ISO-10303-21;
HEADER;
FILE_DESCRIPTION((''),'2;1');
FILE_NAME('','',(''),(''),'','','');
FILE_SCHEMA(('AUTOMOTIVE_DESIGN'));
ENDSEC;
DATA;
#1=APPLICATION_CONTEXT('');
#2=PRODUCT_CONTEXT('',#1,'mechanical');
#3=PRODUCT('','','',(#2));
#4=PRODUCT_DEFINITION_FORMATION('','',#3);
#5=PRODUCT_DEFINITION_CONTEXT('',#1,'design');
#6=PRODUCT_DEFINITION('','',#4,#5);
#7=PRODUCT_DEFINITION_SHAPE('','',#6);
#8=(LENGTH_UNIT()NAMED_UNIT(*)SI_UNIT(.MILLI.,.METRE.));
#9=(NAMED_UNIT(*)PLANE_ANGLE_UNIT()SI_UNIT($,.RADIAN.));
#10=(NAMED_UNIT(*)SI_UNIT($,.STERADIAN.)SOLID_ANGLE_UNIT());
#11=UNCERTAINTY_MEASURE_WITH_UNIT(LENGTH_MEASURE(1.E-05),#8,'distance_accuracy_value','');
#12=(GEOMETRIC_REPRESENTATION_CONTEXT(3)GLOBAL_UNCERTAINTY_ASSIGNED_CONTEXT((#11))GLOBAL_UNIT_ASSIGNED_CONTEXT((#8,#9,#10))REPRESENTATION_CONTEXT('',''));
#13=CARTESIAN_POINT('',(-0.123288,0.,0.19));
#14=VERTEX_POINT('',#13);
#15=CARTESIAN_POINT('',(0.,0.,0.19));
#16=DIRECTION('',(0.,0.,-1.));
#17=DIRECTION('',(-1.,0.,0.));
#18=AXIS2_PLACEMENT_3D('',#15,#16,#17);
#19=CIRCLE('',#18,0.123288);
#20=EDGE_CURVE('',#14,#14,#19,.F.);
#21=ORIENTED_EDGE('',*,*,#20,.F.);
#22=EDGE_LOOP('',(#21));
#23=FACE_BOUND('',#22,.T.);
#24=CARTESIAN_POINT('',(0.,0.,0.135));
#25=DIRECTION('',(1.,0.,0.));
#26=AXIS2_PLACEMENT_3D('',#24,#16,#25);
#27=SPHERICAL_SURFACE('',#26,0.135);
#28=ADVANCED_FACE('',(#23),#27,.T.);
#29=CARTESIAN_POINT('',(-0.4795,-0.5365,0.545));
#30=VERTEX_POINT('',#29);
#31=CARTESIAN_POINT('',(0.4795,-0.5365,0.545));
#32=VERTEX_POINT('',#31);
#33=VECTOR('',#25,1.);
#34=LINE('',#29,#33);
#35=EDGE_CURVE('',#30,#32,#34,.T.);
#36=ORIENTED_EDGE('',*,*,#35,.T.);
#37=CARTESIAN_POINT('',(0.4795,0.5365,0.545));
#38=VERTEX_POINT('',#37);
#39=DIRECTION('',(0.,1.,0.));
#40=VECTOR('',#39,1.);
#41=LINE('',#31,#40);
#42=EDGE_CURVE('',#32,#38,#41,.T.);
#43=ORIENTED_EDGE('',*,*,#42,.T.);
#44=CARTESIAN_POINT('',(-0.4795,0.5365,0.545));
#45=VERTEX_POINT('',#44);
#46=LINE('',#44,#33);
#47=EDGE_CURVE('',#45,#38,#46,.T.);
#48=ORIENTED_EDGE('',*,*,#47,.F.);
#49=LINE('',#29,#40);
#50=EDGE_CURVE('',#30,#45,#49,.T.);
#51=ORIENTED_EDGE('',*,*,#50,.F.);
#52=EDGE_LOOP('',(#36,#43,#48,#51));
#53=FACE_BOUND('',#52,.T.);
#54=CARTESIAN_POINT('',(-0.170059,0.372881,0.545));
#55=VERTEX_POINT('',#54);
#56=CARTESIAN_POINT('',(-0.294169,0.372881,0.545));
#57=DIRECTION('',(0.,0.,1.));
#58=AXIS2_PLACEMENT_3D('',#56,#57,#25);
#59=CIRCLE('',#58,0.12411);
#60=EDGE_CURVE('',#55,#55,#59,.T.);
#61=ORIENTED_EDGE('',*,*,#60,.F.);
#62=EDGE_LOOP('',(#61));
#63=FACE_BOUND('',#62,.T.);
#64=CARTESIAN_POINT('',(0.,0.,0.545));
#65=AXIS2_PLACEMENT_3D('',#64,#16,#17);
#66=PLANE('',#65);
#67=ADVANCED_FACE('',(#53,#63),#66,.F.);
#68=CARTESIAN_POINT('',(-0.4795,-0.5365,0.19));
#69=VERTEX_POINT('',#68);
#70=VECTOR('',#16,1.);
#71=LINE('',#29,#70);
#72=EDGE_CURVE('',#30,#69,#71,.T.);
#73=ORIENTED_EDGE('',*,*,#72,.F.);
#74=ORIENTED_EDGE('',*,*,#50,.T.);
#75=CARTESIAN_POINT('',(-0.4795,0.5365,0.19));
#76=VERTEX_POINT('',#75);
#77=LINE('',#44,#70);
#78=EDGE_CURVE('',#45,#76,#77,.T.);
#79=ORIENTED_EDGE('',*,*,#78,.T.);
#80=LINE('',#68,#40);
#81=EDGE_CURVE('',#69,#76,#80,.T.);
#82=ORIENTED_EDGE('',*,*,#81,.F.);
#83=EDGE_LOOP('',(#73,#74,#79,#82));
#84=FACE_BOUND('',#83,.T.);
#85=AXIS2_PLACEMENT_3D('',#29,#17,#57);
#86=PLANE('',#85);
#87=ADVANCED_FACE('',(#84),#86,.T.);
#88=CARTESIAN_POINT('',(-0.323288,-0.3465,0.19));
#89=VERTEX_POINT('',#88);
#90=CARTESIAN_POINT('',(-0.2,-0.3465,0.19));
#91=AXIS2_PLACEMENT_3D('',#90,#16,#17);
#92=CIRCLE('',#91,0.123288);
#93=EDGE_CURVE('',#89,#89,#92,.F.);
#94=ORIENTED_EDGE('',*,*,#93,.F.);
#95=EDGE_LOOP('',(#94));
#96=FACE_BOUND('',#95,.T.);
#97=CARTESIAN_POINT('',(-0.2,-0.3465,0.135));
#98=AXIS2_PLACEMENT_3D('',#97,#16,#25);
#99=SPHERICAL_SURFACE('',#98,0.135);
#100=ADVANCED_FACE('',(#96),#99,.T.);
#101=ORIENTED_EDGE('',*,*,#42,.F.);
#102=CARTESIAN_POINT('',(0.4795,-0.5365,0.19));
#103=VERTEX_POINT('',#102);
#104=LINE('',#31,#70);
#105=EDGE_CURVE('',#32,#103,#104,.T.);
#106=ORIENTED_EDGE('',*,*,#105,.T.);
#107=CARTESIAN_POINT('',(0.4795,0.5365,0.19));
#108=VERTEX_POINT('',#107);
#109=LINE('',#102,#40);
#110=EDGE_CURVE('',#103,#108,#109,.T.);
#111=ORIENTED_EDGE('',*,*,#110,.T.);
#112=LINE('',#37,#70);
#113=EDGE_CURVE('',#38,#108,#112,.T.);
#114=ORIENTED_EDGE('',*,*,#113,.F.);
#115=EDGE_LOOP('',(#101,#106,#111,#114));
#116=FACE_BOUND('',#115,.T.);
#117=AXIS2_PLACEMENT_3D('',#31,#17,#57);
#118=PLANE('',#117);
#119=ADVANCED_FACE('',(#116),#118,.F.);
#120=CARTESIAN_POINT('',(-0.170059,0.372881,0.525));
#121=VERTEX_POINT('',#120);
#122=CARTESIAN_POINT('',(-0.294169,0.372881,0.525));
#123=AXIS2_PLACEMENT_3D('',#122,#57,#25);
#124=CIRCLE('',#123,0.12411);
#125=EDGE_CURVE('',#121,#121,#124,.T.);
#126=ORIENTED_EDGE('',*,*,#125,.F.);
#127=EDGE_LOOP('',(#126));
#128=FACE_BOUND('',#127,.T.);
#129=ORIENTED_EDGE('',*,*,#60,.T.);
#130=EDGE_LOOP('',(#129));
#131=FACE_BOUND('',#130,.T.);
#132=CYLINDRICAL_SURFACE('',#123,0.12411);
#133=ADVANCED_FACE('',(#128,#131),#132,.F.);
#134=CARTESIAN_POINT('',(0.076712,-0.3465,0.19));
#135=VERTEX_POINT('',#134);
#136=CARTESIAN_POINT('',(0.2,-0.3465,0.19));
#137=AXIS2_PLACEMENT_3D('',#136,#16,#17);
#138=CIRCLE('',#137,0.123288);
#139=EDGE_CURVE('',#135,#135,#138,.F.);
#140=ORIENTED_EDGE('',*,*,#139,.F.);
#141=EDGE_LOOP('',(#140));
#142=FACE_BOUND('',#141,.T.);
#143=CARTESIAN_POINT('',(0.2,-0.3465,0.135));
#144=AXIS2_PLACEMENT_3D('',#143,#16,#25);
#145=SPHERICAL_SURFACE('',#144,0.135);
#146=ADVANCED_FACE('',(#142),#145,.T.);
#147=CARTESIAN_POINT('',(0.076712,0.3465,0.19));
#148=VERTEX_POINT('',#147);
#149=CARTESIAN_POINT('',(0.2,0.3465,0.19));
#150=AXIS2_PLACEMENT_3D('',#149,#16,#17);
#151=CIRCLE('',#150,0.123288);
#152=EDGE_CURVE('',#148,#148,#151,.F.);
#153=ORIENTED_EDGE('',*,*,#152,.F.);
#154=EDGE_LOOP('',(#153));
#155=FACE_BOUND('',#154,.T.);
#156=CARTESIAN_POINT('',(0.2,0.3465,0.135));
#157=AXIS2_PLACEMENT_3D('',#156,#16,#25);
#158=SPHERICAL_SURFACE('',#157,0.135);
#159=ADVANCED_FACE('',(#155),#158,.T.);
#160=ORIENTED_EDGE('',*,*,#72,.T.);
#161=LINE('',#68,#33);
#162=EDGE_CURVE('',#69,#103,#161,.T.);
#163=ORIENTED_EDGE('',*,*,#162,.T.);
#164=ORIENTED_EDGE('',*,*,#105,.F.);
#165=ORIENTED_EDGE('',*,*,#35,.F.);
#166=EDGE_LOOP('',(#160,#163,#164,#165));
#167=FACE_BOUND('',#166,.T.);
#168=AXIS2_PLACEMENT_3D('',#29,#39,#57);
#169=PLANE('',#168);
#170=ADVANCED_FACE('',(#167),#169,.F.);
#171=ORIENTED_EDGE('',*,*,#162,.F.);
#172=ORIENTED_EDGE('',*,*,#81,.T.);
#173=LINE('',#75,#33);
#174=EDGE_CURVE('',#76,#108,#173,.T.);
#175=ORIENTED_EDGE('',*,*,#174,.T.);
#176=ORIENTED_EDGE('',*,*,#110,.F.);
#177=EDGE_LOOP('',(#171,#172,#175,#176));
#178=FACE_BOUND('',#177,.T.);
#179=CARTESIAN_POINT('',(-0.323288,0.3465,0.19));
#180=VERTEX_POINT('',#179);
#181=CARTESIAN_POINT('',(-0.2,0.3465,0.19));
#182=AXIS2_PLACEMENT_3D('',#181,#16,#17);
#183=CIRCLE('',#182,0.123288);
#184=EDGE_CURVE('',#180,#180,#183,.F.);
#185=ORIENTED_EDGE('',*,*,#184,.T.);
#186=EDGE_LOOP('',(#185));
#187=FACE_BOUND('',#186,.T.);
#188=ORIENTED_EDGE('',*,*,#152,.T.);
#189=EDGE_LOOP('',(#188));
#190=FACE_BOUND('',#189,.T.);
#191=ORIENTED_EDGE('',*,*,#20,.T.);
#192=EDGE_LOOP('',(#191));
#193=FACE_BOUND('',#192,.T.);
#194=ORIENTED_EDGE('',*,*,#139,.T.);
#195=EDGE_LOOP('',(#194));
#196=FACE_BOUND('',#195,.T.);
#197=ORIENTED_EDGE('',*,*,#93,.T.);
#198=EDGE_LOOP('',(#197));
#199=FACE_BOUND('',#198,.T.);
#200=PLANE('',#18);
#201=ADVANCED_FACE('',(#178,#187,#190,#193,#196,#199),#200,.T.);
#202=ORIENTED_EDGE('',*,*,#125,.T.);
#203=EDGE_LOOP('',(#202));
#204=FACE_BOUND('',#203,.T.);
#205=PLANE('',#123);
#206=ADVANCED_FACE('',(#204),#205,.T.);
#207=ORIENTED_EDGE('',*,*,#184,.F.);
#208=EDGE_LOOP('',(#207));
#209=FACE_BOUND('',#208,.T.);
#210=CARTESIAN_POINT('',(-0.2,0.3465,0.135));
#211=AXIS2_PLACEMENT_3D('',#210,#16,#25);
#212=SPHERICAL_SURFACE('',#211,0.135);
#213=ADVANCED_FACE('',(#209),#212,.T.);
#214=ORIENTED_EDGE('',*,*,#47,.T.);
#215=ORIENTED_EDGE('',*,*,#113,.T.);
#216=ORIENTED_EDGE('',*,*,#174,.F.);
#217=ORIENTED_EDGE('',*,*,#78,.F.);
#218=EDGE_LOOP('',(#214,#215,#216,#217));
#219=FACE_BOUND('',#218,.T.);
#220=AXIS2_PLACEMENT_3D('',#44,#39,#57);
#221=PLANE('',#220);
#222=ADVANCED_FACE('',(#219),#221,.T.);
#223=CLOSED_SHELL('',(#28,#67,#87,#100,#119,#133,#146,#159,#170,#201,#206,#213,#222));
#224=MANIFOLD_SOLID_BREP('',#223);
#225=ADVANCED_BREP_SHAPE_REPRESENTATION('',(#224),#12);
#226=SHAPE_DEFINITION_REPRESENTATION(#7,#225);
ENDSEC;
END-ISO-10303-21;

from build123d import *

# Parameters (mm, degrees)
BOSS_EXTRUDE1_START  = 0.19
SKETCH1_W            = 0.959
SKETCH1_H            = 1.073
BOSS_EXTRUDE1_DEPTH  = 0.355
LPATTERN1_COUNT      = 2
LPATTERN1_PITCH      = 0.3465
LPATTERN1_COUNT_DIR2 = 2
LPATTERN1_PITCH_DIR2 = 0.2
SKETCH3_R            = 0.124110004
CUT_EXTRUDE3_DEPTH   = 0.02


with BuildPart() as part:
    # Sketch1 → Boss-Extrude1 (new body)
    with BuildSketch(Plane.XY.offset(BOSS_EXTRUDE1_START)):
        Rectangle(SKETCH1_W, SKETCH1_H)
    extrude(amount=BOSS_EXTRUDE1_DEPTH)

    # Sketch2 → Revolve1 (revolve)
    with BuildSketch(Plane(origin=(0, 0, 0), x_dir=(1, 0, 0), z_dir=(0, 1, 0))):
        with BuildLine():
            Line((0, 0), (0, -0.27))
            ThreePointArc((0, -0.27), (0.135, -0.135), (0, 0))
        make_face()
    revolve1 = revolve(axis=Axis((0, 0, 0), (0, 0, 1)))

    # LPattern1: Revolve1 2 × 2, 2 skipped
    with Locations(*[(j * LPATTERN1_PITCH_DIR2, i * LPATTERN1_PITCH, 0) for i in range(LPATTERN1_COUNT) for j in range(LPATTERN1_COUNT_DIR2) if (i, j) not in ((0, 0), (0, 1), (1, 0))]):
        add(revolve1)

    # LPattern2 copy 1 sketch → LPattern2 copy 1 (revolve)
    with BuildSketch(Plane(origin=(-0.2, 0.3465, 0), x_dir=(1, 0, 0), z_dir=(0, 1, 0))):
        with BuildLine():
            Line((0, 0), (0, -0.27))
            ThreePointArc((0, -0.27), (0.135, -0.135), (0, 0))
        make_face()
    revolve(axis=Axis((-0.2, 0.3465, 0), (0, 0, 1)))

    # LPattern2 copy 2 sketch → LPattern2 copy 2 (revolve)
    with BuildSketch(Plane(origin=(0.2, -0.3465, 0), x_dir=(1, 0, 0), z_dir=(0, 1, 0))):
        with BuildLine():
            Line((0, 0), (0, -0.27))
            ThreePointArc((0, -0.27), (0.135, -0.135), (0, 0))
        make_face()
    revolve(axis=Axis((0.2, -0.3465, 0), (0, 0, 1)))

    # LPattern2 copy 3 sketch → LPattern2 copy 3 (revolve)
    with BuildSketch(Plane(origin=(-0.2, -0.3465, 0), x_dir=(1, 0, 0), z_dir=(0, 1, 0))):
        with BuildLine():
            Line((0, 0), (0, -0.27))
            ThreePointArc((0, -0.27), (0.135, -0.135), (0, 0))
        make_face()
    revolve(axis=Axis((-0.2, -0.3465, 0), (0, 0, 1)))

    # Sketch3 → Cut-Extrude3 (cut)
    with BuildSketch(Plane.XY.offset(0.545)):
        with Locations((-0.294168663, 0.372880622)):
            Circle(SKETCH3_R)
    extrude(amount=-CUT_EXTRUDE3_DEPTH, mode=Mode.SUBTRACT)


solid = part.part
